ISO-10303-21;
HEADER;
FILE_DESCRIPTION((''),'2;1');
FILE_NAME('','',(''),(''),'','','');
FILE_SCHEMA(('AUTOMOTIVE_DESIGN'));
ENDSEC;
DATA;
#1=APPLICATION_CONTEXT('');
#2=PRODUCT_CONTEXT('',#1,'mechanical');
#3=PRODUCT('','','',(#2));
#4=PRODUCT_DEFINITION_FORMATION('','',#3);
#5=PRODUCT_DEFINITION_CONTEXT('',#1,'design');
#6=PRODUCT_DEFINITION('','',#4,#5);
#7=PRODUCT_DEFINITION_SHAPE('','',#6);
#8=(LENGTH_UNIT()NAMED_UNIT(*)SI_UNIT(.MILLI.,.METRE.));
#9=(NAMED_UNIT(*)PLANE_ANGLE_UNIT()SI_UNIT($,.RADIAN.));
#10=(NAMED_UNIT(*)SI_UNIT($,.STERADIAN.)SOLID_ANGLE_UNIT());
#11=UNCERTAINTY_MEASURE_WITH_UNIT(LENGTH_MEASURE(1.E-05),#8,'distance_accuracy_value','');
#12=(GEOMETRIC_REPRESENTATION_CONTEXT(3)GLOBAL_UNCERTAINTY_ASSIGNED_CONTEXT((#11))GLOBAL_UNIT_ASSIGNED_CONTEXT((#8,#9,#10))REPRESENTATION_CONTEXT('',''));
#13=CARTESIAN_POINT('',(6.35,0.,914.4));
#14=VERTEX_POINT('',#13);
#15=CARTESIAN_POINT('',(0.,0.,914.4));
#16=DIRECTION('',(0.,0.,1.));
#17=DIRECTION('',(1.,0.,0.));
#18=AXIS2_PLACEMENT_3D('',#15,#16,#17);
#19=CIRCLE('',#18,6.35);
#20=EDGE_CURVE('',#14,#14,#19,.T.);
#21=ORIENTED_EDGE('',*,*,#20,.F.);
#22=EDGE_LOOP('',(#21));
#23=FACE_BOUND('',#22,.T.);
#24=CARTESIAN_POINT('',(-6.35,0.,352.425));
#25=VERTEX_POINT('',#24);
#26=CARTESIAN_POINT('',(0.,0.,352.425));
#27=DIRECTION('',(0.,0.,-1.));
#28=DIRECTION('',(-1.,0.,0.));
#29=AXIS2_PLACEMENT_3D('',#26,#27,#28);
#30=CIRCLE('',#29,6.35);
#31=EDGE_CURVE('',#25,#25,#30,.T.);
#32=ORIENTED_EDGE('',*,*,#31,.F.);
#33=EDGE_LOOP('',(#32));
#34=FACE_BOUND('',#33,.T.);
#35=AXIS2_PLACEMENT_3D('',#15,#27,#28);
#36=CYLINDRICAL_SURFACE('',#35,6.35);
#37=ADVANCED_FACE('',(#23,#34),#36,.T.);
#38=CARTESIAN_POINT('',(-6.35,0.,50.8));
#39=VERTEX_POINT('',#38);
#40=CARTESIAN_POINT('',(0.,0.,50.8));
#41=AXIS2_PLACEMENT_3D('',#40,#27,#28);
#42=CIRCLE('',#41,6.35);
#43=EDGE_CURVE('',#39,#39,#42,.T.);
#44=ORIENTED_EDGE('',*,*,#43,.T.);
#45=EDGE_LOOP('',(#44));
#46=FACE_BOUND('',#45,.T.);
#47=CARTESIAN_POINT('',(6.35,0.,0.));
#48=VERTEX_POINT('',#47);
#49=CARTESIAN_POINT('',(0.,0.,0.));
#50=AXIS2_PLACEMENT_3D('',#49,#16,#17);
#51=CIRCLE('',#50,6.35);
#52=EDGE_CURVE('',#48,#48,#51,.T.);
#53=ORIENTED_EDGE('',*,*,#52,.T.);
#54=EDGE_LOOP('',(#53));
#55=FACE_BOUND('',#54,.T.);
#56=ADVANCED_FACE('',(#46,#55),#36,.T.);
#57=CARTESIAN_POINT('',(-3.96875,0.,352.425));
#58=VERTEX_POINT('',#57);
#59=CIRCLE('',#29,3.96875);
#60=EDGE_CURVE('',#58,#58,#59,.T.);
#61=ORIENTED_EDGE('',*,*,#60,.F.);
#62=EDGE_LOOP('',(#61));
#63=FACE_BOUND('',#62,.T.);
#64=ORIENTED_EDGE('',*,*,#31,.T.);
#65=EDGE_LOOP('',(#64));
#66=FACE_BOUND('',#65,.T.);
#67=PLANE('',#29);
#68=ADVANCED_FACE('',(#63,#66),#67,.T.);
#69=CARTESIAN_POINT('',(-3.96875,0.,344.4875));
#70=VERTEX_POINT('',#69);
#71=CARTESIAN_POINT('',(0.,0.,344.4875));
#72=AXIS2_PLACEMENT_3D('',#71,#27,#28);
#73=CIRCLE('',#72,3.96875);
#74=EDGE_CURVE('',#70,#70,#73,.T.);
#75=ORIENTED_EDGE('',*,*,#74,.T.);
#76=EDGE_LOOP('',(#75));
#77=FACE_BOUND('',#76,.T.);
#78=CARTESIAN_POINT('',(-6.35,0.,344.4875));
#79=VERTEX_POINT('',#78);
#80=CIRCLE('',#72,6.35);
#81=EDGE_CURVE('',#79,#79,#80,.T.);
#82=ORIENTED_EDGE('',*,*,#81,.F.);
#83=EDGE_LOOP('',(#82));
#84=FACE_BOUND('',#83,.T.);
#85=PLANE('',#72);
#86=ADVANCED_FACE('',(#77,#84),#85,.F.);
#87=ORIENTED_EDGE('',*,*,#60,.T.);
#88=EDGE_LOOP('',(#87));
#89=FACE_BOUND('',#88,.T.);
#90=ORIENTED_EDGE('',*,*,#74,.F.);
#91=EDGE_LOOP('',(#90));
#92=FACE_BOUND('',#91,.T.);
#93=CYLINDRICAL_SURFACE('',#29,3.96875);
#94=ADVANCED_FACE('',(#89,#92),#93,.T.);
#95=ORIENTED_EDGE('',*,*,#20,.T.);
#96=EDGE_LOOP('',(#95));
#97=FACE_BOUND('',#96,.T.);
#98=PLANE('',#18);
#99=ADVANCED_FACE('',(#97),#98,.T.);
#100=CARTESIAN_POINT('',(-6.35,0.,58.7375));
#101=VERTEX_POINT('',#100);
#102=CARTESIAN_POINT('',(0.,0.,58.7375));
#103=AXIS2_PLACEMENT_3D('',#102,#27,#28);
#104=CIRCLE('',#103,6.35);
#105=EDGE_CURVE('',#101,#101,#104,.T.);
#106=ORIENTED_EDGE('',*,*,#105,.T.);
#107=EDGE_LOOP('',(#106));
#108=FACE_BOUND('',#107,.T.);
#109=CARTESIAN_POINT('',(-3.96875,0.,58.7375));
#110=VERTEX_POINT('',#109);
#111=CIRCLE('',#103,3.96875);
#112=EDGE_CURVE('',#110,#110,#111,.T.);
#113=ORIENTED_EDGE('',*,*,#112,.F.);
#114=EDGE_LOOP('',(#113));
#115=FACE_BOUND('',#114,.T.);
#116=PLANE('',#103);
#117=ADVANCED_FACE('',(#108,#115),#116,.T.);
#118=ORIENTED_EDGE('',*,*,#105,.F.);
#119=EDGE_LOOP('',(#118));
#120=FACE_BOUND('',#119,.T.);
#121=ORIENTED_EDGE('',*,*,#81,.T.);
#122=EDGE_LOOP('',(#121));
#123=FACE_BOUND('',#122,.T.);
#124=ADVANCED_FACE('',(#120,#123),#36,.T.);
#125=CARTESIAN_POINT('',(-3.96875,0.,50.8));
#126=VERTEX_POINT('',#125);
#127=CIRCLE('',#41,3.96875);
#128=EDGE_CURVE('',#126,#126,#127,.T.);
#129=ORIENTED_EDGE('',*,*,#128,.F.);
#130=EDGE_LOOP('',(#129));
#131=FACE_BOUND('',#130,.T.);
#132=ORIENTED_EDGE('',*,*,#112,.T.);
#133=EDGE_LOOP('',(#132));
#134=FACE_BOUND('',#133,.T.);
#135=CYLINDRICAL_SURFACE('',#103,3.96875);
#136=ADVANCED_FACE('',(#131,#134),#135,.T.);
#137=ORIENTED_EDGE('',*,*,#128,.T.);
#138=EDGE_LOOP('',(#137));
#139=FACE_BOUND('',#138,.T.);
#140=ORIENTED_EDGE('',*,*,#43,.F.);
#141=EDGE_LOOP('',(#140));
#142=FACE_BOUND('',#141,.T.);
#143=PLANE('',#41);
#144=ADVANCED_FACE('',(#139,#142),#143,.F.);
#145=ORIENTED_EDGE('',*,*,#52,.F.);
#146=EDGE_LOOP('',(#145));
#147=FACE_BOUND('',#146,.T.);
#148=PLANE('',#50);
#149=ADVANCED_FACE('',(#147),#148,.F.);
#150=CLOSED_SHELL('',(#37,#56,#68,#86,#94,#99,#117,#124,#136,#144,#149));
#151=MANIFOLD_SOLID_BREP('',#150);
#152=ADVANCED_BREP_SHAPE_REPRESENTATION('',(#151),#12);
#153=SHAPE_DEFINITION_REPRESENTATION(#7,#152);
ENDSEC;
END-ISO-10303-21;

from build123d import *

# Parameters (mm, degrees)
SKETCH1_R           = 6.35
BOSS_EXTRUDE1_DEPTH = 914.4
SKETCH3_R           = 6.35
SKETCH3_R_2         = 3.96875
CUT_EXTRUDE1_DEPTH  = 7.9375
SKETCH4_R           = 6.35
SKETCH4_R_2         = 3.96875
CUT_EXTRUDE2_DEPTH  = 7.9375


with BuildPart() as part:
    # Sketch1 → Boss-Extrude1 (new body)
    with BuildSketch(Plane.XY):
        Circle(SKETCH1_R)
    extrude(amount=BOSS_EXTRUDE1_DEPTH)

    # Sketch3 → Cut-Extrude1 (cut)
    with BuildSketch(Plane(origin=(0, 0, 50.8), x_dir=(-1, 0, 0), z_dir=(0, 0, -1))):
        Circle(SKETCH3_R)
        Circle(SKETCH3_R_2, mode=Mode.SUBTRACT)
    extrude(amount=-CUT_EXTRUDE1_DEPTH, mode=Mode.SUBTRACT)

    # Sketch4 → Cut-Extrude2 (cut)
    with BuildSketch(Plane(origin=(0, 0, 344.4875), x_dir=(-1, 0, 0), z_dir=(0, 0, -1))):
        Circle(SKETCH4_R)
        Circle(SKETCH4_R_2, mode=Mode.SUBTRACT)
    extrude(amount=-CUT_EXTRUDE2_DEPTH, mode=Mode.SUBTRACT)


solid = part.part
